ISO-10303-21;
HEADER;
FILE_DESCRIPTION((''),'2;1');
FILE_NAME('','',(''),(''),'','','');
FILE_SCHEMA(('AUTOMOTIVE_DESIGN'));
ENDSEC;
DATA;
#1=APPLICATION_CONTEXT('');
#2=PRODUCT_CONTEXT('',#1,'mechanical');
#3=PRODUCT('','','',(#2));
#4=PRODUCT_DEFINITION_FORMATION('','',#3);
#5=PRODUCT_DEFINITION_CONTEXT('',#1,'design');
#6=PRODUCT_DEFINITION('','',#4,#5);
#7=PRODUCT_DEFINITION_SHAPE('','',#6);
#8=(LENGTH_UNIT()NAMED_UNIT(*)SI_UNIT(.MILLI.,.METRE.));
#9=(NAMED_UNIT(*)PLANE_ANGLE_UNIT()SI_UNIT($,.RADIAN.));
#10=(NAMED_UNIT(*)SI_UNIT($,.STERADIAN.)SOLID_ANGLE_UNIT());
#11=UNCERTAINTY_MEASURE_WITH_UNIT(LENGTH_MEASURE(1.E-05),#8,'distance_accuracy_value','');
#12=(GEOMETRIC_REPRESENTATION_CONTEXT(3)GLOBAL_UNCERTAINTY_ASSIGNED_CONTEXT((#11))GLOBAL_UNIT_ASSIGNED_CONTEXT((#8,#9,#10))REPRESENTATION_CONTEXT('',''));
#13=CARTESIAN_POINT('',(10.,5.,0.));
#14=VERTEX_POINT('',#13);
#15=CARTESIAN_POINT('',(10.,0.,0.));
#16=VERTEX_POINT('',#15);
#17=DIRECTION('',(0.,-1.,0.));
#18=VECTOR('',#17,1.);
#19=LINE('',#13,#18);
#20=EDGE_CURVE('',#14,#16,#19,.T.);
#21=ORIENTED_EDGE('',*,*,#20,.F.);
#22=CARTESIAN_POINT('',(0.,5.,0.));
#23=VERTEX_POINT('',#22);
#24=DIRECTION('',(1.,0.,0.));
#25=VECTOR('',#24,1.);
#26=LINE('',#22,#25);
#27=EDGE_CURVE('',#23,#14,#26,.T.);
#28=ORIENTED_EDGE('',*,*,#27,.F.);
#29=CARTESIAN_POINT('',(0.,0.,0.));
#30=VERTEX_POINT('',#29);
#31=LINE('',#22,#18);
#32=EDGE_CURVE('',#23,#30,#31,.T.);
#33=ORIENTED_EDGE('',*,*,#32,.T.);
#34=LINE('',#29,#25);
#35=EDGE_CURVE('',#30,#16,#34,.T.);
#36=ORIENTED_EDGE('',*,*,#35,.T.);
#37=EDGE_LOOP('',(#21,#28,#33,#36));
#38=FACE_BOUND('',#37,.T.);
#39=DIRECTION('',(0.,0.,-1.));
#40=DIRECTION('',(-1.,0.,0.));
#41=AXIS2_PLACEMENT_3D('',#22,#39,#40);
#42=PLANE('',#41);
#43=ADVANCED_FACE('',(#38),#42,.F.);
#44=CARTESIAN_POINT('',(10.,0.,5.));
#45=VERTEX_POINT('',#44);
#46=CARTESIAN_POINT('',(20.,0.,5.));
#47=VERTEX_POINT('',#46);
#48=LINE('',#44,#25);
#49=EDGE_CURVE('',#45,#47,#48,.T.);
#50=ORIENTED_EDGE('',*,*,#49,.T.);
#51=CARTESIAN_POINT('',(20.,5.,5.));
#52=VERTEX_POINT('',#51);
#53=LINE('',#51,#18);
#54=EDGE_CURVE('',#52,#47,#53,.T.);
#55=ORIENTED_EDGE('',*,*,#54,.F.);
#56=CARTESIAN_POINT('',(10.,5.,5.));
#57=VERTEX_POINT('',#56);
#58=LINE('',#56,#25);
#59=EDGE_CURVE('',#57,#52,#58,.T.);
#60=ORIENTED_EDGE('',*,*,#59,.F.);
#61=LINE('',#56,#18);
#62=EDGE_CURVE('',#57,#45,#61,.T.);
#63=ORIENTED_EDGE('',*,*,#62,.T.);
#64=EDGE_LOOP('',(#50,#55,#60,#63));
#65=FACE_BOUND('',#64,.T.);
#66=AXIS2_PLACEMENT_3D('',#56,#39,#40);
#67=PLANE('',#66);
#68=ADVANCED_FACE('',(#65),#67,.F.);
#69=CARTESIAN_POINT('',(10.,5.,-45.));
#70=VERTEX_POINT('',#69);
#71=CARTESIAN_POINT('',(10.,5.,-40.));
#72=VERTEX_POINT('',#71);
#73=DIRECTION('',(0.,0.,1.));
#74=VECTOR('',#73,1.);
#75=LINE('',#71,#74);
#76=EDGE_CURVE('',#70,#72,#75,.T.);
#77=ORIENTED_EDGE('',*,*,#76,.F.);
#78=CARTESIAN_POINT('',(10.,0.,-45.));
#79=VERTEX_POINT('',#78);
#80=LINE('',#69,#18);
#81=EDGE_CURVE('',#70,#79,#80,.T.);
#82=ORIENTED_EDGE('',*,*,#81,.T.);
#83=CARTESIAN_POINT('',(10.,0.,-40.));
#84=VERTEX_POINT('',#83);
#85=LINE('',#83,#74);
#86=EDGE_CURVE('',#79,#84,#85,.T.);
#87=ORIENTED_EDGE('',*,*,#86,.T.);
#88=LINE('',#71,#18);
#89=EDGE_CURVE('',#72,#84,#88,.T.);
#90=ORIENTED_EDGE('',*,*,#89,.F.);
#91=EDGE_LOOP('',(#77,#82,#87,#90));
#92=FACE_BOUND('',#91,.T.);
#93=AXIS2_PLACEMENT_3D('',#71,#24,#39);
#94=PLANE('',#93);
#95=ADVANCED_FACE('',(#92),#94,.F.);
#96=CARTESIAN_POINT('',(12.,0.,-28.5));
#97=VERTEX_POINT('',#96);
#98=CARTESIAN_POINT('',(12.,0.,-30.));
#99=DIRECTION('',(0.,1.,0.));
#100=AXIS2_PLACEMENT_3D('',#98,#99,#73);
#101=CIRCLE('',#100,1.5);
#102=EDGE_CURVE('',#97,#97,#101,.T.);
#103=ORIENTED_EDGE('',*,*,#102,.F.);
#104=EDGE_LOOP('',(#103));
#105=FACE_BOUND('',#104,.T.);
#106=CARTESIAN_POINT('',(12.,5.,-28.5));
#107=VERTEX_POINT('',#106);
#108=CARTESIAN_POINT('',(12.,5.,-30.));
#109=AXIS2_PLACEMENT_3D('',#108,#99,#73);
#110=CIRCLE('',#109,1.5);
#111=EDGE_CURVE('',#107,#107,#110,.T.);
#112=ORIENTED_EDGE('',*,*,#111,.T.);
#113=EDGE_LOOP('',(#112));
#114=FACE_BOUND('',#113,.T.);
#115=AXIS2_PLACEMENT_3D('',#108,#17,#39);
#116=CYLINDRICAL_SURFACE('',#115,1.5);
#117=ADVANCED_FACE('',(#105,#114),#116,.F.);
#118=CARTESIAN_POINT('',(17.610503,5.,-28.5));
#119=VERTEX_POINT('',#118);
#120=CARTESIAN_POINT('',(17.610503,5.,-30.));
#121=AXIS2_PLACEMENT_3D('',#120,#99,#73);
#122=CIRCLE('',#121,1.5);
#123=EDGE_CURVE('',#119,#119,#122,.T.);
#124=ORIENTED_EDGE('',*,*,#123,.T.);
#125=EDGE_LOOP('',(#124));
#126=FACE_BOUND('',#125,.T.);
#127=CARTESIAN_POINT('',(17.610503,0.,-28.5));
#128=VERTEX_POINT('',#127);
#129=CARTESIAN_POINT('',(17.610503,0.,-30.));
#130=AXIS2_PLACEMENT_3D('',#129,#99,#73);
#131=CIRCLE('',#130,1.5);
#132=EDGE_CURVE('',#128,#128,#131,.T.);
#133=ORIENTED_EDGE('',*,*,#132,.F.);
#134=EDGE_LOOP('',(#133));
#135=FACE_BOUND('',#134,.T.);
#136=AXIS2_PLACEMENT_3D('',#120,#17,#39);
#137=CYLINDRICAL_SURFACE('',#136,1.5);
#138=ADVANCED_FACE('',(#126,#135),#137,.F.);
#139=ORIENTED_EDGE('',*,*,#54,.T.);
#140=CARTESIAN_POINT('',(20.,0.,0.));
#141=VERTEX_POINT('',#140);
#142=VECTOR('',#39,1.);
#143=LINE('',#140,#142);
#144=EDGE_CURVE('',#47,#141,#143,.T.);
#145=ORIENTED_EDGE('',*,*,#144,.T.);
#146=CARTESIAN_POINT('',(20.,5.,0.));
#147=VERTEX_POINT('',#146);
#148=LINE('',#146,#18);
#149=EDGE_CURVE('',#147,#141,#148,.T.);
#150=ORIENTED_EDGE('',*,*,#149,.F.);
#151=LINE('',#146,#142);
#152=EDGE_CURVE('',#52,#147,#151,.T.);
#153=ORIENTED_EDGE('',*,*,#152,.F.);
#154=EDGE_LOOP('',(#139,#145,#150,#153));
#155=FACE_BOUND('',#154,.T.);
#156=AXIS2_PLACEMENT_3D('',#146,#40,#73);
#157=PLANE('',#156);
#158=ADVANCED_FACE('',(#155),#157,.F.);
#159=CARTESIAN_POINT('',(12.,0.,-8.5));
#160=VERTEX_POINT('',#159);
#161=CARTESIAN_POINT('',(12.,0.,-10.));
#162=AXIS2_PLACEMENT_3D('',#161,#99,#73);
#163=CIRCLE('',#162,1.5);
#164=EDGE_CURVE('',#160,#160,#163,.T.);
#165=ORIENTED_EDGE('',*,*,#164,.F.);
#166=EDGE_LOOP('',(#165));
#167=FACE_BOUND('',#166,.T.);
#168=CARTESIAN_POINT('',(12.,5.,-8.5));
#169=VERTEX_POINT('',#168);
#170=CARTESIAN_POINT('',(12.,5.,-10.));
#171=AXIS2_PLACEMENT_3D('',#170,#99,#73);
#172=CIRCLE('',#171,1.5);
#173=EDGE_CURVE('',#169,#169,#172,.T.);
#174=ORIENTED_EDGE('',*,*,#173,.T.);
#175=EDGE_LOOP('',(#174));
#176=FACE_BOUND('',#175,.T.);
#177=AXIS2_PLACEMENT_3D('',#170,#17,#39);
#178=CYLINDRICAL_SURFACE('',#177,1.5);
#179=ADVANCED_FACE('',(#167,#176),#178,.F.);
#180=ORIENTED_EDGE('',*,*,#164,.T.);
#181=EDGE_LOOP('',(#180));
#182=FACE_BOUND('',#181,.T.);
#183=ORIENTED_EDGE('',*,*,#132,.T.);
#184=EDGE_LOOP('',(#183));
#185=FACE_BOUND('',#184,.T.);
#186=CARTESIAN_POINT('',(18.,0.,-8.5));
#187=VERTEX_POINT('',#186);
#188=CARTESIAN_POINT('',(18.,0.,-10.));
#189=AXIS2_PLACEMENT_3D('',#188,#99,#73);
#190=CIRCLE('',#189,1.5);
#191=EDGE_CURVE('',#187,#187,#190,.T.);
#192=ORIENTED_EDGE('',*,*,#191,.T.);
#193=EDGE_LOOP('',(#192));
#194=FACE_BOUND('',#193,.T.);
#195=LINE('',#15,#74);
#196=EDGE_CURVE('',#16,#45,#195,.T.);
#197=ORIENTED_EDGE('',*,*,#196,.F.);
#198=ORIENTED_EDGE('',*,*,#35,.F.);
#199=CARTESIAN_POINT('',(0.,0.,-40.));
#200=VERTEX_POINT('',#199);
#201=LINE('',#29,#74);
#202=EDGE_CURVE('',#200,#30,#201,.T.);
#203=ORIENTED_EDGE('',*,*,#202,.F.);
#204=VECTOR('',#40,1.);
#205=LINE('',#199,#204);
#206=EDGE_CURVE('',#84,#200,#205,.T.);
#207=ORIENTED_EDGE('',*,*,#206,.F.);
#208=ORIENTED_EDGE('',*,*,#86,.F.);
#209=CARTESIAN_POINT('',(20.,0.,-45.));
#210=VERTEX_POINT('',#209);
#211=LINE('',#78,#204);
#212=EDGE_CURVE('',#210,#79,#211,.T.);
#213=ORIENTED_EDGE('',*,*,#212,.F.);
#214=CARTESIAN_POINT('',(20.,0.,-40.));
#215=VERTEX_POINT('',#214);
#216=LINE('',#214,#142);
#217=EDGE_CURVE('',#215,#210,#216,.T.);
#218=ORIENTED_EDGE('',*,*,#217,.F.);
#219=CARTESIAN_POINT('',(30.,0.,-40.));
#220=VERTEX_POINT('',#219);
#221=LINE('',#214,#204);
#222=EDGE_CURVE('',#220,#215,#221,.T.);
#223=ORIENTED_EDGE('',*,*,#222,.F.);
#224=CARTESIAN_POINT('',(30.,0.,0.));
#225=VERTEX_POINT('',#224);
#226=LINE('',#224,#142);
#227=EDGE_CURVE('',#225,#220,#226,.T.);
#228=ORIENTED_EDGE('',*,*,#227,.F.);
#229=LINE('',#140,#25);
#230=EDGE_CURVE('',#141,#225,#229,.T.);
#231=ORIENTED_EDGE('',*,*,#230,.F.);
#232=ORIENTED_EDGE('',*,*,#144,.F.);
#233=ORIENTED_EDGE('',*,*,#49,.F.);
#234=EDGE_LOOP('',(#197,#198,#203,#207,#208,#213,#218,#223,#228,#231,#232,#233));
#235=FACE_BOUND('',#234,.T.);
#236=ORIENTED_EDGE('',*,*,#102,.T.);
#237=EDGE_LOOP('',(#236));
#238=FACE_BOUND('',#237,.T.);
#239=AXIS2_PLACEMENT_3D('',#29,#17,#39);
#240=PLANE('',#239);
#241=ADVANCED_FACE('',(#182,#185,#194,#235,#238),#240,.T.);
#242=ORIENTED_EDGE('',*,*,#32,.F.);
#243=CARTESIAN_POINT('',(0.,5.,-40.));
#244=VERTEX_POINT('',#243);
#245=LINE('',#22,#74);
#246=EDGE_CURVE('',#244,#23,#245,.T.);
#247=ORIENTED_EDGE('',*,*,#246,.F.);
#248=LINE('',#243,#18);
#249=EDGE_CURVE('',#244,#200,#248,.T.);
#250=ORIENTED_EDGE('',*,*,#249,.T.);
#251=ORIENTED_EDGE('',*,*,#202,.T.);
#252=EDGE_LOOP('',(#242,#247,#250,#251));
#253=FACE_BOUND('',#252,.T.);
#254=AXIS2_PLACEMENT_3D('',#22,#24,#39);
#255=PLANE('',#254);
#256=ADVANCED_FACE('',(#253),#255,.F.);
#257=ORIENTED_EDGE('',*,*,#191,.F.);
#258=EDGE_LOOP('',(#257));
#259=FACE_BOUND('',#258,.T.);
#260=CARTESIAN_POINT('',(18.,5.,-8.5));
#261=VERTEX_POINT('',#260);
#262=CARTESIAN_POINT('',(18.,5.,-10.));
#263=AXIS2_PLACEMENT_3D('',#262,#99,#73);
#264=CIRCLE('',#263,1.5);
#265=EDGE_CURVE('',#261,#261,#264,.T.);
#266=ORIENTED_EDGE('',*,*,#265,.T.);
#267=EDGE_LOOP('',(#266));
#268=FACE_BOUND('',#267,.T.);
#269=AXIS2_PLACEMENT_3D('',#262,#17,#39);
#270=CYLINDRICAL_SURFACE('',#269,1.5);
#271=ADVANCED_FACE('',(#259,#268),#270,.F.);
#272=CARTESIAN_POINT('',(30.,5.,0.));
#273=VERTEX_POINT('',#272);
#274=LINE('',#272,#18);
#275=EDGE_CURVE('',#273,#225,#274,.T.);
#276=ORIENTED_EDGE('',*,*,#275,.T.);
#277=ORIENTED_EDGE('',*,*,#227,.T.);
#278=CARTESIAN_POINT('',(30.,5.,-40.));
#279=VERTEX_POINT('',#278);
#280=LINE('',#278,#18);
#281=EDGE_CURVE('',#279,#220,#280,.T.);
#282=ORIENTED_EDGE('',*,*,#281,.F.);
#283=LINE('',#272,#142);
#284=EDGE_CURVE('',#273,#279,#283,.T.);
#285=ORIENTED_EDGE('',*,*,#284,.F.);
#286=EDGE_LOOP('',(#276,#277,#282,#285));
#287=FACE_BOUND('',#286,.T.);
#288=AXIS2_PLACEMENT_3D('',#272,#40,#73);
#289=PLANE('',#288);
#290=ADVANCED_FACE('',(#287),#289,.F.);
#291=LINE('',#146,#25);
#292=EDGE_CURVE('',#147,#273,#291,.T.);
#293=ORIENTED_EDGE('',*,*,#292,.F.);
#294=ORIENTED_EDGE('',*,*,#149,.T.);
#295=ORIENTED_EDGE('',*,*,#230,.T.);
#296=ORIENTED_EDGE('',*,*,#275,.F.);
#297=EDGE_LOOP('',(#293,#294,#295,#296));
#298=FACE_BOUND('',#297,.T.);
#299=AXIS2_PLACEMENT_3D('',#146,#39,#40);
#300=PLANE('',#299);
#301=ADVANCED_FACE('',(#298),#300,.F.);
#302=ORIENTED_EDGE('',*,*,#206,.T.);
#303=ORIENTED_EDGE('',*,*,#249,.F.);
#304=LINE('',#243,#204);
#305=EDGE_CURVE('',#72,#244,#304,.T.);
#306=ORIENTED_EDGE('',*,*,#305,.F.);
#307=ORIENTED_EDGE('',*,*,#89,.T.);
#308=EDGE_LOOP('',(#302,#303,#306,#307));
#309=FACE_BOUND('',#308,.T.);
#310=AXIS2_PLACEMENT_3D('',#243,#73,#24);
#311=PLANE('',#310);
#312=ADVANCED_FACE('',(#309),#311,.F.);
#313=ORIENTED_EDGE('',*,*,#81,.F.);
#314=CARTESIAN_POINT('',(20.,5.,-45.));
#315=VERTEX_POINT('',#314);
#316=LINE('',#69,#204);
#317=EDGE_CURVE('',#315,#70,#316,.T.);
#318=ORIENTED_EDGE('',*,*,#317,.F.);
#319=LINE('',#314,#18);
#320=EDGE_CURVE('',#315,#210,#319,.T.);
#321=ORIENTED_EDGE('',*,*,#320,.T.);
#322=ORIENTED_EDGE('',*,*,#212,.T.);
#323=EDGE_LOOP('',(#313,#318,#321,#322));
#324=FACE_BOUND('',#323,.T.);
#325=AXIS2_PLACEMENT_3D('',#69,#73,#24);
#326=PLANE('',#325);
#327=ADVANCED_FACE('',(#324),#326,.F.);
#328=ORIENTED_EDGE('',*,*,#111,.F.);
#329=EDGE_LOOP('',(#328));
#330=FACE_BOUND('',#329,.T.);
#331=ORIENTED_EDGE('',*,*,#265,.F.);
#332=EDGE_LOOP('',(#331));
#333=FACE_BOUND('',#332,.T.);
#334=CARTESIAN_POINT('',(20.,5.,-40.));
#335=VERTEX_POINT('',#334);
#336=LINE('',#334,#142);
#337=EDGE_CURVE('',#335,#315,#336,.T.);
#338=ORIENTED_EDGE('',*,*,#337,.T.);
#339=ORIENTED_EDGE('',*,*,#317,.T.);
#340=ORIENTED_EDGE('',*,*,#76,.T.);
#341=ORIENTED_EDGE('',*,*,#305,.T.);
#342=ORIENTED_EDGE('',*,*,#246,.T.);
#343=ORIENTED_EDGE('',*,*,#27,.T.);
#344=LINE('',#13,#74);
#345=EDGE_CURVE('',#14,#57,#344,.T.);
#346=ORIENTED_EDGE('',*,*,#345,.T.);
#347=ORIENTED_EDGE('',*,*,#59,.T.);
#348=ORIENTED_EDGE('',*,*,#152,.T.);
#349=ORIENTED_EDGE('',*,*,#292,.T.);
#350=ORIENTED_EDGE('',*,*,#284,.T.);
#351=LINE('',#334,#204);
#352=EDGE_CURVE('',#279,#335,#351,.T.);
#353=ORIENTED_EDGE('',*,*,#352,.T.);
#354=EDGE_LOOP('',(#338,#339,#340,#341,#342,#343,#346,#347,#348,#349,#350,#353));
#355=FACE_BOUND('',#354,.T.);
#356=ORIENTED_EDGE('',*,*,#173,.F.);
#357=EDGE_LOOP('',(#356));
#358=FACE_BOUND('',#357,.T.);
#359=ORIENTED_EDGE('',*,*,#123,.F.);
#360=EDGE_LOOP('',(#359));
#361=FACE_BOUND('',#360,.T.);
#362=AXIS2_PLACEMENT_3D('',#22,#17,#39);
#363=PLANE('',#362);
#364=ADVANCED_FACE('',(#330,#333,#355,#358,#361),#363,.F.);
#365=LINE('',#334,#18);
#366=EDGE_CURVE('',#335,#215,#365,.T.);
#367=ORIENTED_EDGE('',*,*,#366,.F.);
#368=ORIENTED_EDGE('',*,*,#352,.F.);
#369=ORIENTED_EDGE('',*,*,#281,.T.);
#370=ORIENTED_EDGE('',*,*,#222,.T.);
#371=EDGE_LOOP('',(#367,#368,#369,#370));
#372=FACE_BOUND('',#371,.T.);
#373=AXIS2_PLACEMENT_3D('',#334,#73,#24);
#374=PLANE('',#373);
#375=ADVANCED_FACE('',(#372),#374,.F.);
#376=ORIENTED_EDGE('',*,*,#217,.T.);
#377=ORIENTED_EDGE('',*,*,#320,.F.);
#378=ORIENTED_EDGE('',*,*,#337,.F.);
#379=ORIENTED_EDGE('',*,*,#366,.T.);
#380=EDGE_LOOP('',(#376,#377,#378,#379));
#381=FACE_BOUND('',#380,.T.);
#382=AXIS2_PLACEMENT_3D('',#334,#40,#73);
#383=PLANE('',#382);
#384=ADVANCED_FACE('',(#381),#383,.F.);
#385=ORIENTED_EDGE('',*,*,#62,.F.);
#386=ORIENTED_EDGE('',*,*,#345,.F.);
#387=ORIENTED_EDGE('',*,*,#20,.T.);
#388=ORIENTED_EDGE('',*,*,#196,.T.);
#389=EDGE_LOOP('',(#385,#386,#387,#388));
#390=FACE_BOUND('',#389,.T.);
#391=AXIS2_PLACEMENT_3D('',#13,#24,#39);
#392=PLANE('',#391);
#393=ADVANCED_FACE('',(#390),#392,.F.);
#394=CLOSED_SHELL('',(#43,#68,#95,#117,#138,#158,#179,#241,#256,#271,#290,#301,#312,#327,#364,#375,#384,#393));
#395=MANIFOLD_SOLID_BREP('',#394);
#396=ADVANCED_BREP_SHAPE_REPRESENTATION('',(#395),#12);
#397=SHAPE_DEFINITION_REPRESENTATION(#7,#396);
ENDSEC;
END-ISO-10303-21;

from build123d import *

# Parameters (mm, degrees)
SKETCH_1_R      = 1.5
EXTRUDE_1_DEPTH = 5


with BuildPart() as part:
    # 草图1 → 凸台-拉伸1 (new body)
    with BuildSketch(Plane(origin=(0, 0, 0), x_dir=(1, 0, 0), z_dir=(0, 1, 0))):
        Polygon((20, 40), (30, 40), (30, 0), (20, 0), (20, -5), (10, -5), (10, 0), (0, 0), (0, 40), (10, 40), (10, 45), (20, 45), align=None)
        with Locations(Location((12, 30, 0), (0, 0, 270))):
            Circle(SKETCH_1_R, mode=Mode.SUBTRACT)
        with Locations(Location((17.61050347, 30, 0), (0, 0, 270))):
            Circle(SKETCH_1_R, mode=Mode.SUBTRACT)
        with Locations(Location((18, 10, 0), (0, 0, 270))):
            Circle(SKETCH_1_R, mode=Mode.SUBTRACT)
        with Locations(Location((12, 10, 0), (0, 0, 270))):
            Circle(SKETCH_1_R, mode=Mode.SUBTRACT)
    extrude(amount=EXTRUDE_1_DEPTH)


solid = part.part
